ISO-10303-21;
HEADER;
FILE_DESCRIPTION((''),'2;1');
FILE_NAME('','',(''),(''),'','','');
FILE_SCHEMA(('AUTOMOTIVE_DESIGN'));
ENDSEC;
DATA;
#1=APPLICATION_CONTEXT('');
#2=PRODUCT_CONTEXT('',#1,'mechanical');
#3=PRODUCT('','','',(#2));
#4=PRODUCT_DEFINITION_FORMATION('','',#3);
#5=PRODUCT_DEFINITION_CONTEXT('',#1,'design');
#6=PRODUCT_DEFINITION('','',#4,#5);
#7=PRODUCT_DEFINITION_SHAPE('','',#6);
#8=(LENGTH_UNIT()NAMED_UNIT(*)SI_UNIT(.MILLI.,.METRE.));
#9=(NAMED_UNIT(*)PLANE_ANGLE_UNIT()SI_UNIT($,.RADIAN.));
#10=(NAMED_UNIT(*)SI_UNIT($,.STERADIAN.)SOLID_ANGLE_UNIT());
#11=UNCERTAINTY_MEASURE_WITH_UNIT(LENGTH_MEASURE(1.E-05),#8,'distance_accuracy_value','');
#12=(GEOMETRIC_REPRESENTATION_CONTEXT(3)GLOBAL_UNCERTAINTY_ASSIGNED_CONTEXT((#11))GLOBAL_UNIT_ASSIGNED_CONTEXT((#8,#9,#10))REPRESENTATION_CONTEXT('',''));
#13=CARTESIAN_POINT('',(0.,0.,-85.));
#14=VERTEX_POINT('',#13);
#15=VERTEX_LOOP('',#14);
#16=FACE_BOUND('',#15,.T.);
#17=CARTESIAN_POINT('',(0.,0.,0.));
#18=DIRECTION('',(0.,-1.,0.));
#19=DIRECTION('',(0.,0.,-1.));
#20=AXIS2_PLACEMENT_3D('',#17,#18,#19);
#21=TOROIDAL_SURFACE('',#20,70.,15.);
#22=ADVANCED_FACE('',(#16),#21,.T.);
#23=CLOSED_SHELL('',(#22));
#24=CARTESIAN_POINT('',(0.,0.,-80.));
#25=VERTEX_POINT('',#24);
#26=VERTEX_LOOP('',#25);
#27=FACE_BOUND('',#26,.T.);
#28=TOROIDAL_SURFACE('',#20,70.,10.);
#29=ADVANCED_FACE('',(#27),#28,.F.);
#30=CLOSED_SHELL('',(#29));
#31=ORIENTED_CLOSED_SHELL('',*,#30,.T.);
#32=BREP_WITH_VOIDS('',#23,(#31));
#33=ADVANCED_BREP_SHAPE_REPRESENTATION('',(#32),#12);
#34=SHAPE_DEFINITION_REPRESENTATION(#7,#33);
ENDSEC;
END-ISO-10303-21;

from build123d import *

# Parameters (mm, degrees)
ESBO_O1_R = 15
ESBO_O2_R = 10


with BuildPart() as part:
    # Esboço1 → Revolução1 (revolve)
    with BuildSketch(Plane(origin=(0, 0, 0), x_dir=(0, 0, -1), z_dir=(1, 0, 0)), mode=Mode.PRIVATE) as revolu_o1_sk:
        with Locations((-70, 0)):
            Circle(ESBO_O1_R)
    revolve(revolu_o1_sk.sketch.rotate(Axis((0, 0, 0), (0, 1, 0)), 180), axis=Axis((0, 0, 0), (0, 1, 0)))

    # Esboço2 → Corte-Revolução1 (revolve, cut)
    with BuildSketch(Plane(origin=(0, 0, 0), x_dir=(0, 0, -1), z_dir=(1, 0, 0)), mode=Mode.PRIVATE) as corte_revolu_o1_sk:
        with Locations((-70, 0)):
            Circle(ESBO_O2_R)
    revolve(corte_revolu_o1_sk.sketch.rotate(Axis((0, 0, 0), (0, 1, 0)), 180), axis=Axis((0, 0, 0), (0, 1, 0)), mode=Mode.SUBTRACT)


solid = part.part
